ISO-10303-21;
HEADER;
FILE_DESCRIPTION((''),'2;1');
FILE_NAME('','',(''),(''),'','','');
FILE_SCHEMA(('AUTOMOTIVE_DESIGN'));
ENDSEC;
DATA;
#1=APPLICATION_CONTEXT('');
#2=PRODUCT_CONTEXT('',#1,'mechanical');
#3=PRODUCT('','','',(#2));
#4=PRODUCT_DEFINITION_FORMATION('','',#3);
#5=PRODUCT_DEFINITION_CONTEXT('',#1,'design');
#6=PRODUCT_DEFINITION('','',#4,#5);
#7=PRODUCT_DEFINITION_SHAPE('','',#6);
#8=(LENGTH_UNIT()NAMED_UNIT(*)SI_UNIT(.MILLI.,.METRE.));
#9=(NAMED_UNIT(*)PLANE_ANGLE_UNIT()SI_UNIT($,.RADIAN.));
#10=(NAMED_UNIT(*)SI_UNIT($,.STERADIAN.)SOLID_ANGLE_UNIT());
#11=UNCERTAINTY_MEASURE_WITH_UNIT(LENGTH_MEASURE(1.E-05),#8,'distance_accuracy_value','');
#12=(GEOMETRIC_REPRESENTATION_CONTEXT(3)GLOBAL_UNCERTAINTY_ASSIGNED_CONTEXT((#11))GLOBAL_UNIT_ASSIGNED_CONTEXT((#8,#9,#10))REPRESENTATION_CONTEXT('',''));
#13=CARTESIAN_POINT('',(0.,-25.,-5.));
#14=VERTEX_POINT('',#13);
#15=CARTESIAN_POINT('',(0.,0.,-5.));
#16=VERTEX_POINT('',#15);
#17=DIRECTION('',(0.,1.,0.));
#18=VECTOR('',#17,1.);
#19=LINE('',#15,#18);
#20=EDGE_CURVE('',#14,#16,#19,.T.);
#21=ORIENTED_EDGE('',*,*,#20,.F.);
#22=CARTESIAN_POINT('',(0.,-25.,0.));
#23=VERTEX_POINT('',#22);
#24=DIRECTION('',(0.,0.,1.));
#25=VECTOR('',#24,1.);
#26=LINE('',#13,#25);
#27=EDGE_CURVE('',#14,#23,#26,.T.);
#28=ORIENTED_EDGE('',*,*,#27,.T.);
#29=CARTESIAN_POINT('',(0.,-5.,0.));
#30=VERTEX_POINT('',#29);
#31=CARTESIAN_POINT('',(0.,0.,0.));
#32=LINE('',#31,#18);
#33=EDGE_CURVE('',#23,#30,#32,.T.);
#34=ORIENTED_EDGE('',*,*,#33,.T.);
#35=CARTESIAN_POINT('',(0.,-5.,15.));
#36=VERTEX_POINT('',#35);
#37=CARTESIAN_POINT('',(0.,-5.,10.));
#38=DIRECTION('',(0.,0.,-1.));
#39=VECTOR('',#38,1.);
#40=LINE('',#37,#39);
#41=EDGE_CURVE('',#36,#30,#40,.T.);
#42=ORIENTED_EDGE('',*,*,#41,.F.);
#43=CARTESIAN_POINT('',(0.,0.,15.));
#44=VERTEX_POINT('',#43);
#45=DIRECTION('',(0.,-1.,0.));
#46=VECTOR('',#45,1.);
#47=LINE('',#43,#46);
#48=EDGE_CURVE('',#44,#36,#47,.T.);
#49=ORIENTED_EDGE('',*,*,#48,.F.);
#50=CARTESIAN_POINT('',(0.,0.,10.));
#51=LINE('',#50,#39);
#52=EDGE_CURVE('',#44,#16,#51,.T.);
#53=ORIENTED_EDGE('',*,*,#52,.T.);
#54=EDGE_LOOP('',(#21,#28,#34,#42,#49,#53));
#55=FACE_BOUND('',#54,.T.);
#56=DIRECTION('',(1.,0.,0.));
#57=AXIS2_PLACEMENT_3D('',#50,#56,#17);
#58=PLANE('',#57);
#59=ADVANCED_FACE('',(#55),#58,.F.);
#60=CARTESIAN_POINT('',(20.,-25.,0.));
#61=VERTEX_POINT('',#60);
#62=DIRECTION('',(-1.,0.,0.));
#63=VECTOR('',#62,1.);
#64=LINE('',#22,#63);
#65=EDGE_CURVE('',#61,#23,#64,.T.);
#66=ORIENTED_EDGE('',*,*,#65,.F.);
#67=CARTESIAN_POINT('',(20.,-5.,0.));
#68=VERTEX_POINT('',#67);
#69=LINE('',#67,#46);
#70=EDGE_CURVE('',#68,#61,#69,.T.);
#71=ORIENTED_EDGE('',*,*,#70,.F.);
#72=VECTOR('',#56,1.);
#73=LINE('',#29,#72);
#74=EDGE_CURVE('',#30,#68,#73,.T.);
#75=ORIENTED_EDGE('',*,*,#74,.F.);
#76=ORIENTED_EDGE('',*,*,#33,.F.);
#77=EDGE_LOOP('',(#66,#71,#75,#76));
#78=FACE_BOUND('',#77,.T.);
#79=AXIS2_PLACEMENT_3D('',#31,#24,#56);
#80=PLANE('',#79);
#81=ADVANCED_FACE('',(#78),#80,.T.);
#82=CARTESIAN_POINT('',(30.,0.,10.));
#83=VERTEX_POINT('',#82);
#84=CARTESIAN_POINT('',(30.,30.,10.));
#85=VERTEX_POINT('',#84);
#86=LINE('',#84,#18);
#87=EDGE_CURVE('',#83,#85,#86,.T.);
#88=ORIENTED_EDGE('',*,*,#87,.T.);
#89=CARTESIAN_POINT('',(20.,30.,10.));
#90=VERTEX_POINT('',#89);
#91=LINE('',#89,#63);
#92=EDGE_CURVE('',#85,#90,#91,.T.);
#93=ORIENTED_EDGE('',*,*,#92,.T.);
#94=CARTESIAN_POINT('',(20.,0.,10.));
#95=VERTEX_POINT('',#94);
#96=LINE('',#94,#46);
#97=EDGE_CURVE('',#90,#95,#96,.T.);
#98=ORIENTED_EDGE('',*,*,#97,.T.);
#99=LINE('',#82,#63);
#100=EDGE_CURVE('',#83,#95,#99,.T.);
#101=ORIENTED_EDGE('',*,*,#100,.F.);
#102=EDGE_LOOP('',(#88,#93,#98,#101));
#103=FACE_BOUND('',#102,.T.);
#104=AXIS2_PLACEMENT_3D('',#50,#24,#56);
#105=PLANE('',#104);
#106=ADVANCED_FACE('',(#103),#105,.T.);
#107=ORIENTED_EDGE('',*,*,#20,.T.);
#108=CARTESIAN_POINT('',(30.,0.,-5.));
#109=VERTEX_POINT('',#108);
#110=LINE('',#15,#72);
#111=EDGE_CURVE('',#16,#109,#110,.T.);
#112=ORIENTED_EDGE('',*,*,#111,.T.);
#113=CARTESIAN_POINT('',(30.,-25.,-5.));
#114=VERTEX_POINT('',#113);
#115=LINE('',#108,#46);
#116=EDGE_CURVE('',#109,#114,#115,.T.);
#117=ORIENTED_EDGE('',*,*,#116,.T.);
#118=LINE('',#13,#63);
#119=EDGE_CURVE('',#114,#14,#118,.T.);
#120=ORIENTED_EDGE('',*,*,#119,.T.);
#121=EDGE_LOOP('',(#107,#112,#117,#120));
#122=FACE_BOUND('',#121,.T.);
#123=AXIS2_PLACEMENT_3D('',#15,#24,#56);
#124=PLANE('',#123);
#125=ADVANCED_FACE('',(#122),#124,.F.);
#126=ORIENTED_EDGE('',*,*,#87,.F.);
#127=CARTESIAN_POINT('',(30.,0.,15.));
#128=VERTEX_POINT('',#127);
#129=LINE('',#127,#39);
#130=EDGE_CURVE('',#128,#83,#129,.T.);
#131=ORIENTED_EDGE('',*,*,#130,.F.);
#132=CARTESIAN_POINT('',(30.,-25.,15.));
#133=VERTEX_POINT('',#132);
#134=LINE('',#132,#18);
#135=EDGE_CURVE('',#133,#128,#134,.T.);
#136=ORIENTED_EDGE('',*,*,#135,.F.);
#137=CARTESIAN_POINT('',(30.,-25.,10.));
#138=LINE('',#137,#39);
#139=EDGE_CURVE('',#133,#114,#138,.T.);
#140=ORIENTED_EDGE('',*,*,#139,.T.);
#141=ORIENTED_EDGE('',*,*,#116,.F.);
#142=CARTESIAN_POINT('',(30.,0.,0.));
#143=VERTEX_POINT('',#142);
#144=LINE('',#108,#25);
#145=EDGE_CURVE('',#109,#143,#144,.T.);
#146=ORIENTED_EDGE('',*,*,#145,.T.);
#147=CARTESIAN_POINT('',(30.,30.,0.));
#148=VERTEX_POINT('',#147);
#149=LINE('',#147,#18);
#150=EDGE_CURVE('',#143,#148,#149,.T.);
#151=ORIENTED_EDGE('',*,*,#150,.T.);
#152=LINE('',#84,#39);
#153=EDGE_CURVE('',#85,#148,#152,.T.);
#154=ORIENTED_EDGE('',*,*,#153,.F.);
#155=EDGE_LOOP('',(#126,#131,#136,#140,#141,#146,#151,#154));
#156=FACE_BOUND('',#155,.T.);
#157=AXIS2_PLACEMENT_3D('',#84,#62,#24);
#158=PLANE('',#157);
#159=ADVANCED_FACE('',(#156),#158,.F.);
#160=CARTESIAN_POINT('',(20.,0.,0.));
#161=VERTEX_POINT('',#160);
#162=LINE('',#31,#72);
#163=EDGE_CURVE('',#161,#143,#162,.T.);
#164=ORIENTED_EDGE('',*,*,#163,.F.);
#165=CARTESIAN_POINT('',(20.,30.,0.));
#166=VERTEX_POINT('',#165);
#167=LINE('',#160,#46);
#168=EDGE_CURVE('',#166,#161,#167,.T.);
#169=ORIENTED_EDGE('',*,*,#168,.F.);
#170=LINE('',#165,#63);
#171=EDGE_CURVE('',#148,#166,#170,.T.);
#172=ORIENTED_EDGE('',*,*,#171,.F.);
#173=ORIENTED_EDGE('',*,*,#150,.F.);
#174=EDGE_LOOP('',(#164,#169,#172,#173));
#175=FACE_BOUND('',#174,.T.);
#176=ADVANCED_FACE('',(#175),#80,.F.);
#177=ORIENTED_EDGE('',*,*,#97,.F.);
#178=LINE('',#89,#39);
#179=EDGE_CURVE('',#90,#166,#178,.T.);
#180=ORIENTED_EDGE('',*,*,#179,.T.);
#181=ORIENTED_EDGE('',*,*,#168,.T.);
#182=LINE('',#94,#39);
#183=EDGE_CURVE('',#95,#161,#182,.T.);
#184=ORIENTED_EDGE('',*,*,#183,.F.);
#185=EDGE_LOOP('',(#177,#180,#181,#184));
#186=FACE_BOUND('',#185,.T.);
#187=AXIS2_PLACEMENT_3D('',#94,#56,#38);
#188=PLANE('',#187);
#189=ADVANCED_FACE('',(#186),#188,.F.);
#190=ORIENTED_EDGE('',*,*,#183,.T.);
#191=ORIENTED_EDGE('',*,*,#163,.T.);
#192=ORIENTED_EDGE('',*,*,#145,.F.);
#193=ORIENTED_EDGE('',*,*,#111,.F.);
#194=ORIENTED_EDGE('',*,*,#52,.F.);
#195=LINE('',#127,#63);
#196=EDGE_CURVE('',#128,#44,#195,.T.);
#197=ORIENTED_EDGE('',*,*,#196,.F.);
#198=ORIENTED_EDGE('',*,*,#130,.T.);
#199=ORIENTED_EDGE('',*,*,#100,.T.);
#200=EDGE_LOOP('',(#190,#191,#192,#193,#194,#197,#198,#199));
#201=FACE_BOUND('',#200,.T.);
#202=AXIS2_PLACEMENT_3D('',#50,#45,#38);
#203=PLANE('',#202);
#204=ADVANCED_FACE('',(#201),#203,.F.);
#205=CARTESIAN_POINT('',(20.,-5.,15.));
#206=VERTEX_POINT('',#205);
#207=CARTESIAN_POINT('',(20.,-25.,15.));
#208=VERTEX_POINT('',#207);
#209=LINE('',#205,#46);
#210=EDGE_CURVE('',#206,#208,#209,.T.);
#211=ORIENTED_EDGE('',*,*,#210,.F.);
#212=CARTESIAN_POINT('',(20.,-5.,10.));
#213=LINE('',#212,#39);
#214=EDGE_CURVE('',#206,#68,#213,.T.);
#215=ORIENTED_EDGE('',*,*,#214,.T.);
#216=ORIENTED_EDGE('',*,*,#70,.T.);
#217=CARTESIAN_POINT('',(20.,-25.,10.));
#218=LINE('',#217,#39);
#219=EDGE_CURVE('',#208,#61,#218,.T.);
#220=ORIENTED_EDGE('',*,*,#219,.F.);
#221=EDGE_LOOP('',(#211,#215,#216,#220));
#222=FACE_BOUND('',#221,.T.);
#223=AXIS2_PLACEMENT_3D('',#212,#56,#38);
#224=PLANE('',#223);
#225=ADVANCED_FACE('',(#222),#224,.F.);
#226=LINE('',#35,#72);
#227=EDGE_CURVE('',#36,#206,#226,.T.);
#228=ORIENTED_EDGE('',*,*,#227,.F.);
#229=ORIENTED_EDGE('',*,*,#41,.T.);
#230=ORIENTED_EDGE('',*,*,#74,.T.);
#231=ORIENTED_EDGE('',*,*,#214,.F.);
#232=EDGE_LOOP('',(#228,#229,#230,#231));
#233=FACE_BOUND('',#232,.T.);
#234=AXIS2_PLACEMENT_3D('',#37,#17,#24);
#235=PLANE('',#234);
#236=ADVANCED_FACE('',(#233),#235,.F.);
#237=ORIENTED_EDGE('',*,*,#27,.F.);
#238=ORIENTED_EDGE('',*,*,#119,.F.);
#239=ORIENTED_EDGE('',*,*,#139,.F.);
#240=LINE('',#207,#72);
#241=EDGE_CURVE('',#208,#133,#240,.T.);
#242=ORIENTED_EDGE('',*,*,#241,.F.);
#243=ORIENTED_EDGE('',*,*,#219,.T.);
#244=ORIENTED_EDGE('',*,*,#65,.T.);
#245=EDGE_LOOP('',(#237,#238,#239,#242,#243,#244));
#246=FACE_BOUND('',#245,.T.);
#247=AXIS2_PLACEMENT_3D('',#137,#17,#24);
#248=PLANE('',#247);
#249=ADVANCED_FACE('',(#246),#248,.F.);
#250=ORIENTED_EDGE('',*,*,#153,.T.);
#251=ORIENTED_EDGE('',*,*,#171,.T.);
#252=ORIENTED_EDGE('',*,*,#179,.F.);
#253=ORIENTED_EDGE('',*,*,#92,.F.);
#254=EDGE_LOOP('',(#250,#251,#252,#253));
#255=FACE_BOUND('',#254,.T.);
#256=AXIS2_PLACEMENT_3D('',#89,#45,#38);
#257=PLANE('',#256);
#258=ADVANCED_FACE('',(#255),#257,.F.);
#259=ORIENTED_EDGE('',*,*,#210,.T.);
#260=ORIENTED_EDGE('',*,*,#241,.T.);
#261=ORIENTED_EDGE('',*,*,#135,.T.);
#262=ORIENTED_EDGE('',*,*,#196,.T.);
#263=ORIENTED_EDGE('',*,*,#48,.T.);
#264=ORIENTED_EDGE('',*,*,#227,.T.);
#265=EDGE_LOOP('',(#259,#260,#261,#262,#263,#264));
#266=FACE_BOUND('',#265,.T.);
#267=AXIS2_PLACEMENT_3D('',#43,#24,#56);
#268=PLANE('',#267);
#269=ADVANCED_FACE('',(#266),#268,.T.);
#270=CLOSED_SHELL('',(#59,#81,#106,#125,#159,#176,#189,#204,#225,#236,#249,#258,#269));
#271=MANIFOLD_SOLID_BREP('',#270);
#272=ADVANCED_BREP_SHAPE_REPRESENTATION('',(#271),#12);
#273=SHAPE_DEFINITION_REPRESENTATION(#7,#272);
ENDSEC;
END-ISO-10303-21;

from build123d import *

# Parameters (mm, degrees)
BOSS_EXTRUDE3_DEPTH = 10
SKETCH4_W           = 30
SKETCH4_H           = 25
BOSS_EXTRUDE4_DEPTH = 5
BOSS_EXTRUDE5_DEPTH = 5


with BuildPart() as part:
    # Sketch3 → Boss-Extrude3 (new body)
    with BuildSketch(Plane.XY):
        Polygon((0, 0), (0, -5), (20, -5), (20, -25), (30, -25), (30, 30), (20, 30), (20, 0), align=None)
    extrude(amount=BOSS_EXTRUDE3_DEPTH)

    # Sketch4 → Boss-Extrude4 (add)
    with BuildSketch(Plane(origin=(0, 0, 0), x_dir=(-1, 0, 0), z_dir=(0, 0, -1))):
        with Locations((-15, -12.5)):
            Rectangle(SKETCH4_W, SKETCH4_H)
    extrude(amount=BOSS_EXTRUDE4_DEPTH)

    # Sketch5 → Boss-Extrude5 (add)
    with BuildSketch(Plane.XY.offset(10)):
        Polygon((0, 0), (0, -5), (20, -5), (20, -25), (30, -25), (30, 0), align=None)
    extrude(amount=BOSS_EXTRUDE5_DEPTH)


solid = part.part
